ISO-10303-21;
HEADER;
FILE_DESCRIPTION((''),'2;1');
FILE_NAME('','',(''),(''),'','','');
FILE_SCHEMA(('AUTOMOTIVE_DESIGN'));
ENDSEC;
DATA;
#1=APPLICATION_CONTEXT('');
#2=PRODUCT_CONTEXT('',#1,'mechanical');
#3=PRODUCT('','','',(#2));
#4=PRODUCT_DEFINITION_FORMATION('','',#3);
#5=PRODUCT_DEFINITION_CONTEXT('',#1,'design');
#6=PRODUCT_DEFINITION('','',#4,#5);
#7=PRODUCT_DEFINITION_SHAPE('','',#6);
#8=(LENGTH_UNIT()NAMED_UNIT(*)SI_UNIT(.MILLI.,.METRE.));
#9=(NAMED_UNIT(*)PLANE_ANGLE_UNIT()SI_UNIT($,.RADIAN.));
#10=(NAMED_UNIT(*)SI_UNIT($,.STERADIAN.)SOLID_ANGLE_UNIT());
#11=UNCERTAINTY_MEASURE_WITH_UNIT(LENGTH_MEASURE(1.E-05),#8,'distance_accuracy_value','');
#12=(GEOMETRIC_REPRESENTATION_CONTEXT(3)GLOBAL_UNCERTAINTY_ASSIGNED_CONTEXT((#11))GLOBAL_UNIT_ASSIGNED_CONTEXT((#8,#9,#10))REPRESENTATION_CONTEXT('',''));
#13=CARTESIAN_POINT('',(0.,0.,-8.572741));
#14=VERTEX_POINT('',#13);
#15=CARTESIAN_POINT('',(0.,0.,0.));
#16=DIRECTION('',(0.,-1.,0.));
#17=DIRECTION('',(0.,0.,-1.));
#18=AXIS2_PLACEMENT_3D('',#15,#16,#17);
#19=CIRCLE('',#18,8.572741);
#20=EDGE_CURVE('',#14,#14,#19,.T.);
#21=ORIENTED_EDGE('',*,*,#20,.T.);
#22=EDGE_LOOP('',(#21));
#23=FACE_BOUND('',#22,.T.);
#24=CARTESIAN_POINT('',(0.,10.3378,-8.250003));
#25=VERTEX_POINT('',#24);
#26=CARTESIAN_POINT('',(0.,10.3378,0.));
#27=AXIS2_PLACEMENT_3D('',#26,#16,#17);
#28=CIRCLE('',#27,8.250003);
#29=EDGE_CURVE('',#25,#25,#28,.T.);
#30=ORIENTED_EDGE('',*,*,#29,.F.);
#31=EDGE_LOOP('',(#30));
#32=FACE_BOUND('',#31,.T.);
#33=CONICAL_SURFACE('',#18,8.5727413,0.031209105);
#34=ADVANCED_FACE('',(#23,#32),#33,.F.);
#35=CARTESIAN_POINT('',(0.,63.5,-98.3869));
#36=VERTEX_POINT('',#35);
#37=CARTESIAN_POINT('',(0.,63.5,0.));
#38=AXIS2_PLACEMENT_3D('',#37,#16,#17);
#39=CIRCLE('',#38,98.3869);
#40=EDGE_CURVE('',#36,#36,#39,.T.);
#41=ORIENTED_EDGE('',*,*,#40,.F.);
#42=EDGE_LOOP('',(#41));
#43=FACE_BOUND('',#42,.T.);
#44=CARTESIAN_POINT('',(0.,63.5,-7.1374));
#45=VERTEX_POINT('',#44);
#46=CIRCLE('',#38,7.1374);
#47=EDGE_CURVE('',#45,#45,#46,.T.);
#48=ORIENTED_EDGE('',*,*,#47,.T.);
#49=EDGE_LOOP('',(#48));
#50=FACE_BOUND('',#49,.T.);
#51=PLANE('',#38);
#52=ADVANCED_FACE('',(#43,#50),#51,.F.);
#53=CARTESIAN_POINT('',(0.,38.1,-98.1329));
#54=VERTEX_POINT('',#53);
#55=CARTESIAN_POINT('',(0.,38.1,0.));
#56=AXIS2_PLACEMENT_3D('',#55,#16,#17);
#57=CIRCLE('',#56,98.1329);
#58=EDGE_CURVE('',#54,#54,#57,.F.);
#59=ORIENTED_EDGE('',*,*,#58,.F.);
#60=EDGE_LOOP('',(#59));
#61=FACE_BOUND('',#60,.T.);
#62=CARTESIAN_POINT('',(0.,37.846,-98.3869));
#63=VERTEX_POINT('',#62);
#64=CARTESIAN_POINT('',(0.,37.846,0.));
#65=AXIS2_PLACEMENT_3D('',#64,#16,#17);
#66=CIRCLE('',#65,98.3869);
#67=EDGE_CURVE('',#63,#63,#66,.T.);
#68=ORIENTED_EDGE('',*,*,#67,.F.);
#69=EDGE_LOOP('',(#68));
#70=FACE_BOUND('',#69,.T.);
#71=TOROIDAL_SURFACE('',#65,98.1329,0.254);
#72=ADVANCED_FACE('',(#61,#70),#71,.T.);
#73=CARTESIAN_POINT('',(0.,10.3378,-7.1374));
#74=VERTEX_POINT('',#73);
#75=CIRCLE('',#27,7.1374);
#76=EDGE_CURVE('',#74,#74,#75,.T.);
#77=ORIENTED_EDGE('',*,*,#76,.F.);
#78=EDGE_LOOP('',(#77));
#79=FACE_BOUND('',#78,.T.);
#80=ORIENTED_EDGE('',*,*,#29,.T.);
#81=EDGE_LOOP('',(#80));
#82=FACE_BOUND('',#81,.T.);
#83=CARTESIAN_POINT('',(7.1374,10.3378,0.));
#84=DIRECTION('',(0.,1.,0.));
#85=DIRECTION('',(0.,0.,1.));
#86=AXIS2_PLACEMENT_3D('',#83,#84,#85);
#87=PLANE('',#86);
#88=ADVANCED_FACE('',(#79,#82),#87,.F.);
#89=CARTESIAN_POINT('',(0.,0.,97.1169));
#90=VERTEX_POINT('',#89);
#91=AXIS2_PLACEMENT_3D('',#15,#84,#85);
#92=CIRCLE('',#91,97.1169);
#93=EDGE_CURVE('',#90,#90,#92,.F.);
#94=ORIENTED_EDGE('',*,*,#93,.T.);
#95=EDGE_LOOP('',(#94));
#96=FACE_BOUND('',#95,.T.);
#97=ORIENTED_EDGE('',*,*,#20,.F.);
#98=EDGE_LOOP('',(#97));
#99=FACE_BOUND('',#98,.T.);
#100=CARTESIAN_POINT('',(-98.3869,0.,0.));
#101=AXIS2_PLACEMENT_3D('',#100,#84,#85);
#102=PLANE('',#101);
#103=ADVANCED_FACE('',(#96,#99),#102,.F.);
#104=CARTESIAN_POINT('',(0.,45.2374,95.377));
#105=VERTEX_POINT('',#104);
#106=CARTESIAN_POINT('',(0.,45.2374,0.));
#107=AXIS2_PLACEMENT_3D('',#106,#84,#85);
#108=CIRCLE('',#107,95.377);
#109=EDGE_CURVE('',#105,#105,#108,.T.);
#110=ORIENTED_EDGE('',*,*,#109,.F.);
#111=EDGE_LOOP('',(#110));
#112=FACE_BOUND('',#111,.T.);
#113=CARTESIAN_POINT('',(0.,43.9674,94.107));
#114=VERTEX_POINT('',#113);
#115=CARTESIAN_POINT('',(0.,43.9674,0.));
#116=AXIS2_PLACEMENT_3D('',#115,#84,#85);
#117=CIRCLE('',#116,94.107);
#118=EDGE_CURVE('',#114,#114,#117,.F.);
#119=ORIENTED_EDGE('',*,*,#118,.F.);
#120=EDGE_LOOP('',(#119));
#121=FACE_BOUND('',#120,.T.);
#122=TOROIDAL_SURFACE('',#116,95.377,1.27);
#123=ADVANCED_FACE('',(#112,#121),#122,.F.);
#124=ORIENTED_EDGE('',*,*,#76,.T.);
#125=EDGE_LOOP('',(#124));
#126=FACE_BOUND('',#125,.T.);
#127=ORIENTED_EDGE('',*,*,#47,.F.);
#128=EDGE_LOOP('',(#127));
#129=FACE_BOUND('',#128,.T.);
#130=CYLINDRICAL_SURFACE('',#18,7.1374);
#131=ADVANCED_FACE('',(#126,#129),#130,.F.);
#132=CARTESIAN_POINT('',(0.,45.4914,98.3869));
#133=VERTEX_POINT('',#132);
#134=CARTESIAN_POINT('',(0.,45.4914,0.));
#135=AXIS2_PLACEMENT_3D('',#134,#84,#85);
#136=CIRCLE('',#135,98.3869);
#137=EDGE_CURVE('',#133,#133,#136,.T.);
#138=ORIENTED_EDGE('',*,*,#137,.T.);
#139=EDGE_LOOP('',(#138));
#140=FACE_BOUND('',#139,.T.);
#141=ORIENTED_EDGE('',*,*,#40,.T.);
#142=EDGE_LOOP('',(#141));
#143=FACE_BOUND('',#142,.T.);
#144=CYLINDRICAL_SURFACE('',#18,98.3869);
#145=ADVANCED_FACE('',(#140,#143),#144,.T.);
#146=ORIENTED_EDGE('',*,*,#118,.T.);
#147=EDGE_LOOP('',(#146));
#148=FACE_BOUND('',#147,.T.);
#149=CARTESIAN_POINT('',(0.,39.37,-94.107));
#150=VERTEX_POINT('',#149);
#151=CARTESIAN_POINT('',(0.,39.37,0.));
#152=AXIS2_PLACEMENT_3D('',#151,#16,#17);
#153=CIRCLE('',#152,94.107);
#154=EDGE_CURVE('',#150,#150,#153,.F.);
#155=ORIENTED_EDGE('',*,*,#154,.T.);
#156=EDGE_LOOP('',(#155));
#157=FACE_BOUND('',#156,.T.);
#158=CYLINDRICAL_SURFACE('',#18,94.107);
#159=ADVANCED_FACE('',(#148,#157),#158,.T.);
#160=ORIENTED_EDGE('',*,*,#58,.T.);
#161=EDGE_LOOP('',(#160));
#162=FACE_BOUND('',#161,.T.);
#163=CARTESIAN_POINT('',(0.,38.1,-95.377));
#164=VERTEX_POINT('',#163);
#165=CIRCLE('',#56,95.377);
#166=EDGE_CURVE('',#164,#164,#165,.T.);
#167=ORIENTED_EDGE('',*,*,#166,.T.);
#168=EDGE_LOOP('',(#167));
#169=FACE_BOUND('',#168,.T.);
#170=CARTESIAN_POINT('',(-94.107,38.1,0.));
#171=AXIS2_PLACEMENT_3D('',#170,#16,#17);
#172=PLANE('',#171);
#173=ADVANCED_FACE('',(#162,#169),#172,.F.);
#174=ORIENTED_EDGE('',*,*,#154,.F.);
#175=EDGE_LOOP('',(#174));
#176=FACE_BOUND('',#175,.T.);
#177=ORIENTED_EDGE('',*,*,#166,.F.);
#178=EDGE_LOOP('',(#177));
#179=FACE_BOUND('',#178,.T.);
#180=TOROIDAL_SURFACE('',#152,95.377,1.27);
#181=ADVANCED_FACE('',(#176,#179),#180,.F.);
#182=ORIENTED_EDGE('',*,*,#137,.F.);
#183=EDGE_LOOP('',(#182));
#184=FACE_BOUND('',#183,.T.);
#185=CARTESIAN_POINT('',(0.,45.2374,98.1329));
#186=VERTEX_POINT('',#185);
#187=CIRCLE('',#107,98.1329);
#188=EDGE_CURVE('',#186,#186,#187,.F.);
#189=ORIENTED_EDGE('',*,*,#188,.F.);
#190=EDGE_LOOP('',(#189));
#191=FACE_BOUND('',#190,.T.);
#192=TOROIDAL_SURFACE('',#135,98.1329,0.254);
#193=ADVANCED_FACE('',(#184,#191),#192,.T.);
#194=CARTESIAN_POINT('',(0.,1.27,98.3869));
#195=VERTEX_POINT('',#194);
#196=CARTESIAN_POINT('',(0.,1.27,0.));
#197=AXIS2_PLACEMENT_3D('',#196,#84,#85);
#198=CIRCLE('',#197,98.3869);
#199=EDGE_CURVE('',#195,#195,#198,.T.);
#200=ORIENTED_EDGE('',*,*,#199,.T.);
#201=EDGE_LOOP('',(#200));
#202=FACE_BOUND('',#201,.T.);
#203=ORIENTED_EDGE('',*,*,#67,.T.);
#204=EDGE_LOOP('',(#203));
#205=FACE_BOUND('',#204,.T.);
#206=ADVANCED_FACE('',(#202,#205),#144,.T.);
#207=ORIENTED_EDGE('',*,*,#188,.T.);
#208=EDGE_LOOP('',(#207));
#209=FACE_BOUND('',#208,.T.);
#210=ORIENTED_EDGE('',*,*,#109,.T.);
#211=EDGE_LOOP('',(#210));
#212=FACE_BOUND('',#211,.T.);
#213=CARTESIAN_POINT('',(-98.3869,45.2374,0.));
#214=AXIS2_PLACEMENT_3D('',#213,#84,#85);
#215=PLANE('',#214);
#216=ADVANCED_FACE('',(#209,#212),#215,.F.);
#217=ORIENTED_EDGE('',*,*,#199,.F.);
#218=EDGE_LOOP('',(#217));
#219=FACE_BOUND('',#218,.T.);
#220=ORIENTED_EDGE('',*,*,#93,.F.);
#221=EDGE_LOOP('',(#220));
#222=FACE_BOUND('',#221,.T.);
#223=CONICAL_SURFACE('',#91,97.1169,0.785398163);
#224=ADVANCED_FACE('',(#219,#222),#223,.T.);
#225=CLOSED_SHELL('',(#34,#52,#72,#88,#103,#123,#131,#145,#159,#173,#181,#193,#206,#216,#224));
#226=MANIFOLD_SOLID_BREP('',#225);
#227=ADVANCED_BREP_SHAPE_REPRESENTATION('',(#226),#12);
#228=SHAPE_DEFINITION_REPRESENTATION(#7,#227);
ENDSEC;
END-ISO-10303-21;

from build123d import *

# Parameters (mm, degrees)
FILLET1_R     = 1.27
FILLET2_R     = 0.254
CHAMFER1_SIZE = 1.27


with BuildPart() as part:
    # Sketch1 → Revolve1 (revolve)
    with BuildSketch(Plane.XY, mode=Mode.PRIVATE) as revolve1_sk:
        Polygon((0, 0), (0, 63.5), (-98.3869, 63.5), (-98.3869, 45.2374), (-94.107, 45.2374), (-94.107, 38.1), (-98.3869, 38.1), (-98.3869, 6.551201717), (-98.3869, 0), align=None)
    revolve(revolve1_sk.sketch.rotate(Axis((0, 0, 0), (0, 1, 0)), 270), axis=Axis((0, 0, 0), (0, 1, 0)))

    # Fillet1
    fillet1_edges = [part.edges().sort_by_distance(p)[0] for p in [
        (0, 38.1, 94.107),
        (0, 45.2374, 94.107),
    ]]
    fillet(fillet1_edges, radius=FILLET1_R)

    # Fillet2
    fillet2_edges = [part.edges().sort_by_distance(p)[0] for p in [
        (0, 38.1, 98.3869),
        (0, 45.2374, 98.3869),
    ]]
    fillet(fillet2_edges, radius=FILLET2_R)

    # Chamfer1
    chamfer1_edges = [part.edges().sort_by_distance(p)[0] for p in [
        (0, 0, 98.3869),
    ]]
    chamfer(chamfer1_edges, length=CHAMFER1_SIZE)

    # Sketch7 → 3/8 NPT Tapped Hole3 (revolve, cut)
    with BuildSketch(Plane(origin=(0, 0, 0), x_dir=(0, 0, -1), z_dir=(1, 0, 0))):
        Polygon((0, 0), (0, 63.5), (7.1374, 63.5), (7.1374, 10.3378), (8.250003024, 10.3378), (8.5727413, 0), align=None)
    revolve(axis=Axis((0, -6.35, 0), (0, 1, 0)), mode=Mode.SUBTRACT)


solid = part.part
